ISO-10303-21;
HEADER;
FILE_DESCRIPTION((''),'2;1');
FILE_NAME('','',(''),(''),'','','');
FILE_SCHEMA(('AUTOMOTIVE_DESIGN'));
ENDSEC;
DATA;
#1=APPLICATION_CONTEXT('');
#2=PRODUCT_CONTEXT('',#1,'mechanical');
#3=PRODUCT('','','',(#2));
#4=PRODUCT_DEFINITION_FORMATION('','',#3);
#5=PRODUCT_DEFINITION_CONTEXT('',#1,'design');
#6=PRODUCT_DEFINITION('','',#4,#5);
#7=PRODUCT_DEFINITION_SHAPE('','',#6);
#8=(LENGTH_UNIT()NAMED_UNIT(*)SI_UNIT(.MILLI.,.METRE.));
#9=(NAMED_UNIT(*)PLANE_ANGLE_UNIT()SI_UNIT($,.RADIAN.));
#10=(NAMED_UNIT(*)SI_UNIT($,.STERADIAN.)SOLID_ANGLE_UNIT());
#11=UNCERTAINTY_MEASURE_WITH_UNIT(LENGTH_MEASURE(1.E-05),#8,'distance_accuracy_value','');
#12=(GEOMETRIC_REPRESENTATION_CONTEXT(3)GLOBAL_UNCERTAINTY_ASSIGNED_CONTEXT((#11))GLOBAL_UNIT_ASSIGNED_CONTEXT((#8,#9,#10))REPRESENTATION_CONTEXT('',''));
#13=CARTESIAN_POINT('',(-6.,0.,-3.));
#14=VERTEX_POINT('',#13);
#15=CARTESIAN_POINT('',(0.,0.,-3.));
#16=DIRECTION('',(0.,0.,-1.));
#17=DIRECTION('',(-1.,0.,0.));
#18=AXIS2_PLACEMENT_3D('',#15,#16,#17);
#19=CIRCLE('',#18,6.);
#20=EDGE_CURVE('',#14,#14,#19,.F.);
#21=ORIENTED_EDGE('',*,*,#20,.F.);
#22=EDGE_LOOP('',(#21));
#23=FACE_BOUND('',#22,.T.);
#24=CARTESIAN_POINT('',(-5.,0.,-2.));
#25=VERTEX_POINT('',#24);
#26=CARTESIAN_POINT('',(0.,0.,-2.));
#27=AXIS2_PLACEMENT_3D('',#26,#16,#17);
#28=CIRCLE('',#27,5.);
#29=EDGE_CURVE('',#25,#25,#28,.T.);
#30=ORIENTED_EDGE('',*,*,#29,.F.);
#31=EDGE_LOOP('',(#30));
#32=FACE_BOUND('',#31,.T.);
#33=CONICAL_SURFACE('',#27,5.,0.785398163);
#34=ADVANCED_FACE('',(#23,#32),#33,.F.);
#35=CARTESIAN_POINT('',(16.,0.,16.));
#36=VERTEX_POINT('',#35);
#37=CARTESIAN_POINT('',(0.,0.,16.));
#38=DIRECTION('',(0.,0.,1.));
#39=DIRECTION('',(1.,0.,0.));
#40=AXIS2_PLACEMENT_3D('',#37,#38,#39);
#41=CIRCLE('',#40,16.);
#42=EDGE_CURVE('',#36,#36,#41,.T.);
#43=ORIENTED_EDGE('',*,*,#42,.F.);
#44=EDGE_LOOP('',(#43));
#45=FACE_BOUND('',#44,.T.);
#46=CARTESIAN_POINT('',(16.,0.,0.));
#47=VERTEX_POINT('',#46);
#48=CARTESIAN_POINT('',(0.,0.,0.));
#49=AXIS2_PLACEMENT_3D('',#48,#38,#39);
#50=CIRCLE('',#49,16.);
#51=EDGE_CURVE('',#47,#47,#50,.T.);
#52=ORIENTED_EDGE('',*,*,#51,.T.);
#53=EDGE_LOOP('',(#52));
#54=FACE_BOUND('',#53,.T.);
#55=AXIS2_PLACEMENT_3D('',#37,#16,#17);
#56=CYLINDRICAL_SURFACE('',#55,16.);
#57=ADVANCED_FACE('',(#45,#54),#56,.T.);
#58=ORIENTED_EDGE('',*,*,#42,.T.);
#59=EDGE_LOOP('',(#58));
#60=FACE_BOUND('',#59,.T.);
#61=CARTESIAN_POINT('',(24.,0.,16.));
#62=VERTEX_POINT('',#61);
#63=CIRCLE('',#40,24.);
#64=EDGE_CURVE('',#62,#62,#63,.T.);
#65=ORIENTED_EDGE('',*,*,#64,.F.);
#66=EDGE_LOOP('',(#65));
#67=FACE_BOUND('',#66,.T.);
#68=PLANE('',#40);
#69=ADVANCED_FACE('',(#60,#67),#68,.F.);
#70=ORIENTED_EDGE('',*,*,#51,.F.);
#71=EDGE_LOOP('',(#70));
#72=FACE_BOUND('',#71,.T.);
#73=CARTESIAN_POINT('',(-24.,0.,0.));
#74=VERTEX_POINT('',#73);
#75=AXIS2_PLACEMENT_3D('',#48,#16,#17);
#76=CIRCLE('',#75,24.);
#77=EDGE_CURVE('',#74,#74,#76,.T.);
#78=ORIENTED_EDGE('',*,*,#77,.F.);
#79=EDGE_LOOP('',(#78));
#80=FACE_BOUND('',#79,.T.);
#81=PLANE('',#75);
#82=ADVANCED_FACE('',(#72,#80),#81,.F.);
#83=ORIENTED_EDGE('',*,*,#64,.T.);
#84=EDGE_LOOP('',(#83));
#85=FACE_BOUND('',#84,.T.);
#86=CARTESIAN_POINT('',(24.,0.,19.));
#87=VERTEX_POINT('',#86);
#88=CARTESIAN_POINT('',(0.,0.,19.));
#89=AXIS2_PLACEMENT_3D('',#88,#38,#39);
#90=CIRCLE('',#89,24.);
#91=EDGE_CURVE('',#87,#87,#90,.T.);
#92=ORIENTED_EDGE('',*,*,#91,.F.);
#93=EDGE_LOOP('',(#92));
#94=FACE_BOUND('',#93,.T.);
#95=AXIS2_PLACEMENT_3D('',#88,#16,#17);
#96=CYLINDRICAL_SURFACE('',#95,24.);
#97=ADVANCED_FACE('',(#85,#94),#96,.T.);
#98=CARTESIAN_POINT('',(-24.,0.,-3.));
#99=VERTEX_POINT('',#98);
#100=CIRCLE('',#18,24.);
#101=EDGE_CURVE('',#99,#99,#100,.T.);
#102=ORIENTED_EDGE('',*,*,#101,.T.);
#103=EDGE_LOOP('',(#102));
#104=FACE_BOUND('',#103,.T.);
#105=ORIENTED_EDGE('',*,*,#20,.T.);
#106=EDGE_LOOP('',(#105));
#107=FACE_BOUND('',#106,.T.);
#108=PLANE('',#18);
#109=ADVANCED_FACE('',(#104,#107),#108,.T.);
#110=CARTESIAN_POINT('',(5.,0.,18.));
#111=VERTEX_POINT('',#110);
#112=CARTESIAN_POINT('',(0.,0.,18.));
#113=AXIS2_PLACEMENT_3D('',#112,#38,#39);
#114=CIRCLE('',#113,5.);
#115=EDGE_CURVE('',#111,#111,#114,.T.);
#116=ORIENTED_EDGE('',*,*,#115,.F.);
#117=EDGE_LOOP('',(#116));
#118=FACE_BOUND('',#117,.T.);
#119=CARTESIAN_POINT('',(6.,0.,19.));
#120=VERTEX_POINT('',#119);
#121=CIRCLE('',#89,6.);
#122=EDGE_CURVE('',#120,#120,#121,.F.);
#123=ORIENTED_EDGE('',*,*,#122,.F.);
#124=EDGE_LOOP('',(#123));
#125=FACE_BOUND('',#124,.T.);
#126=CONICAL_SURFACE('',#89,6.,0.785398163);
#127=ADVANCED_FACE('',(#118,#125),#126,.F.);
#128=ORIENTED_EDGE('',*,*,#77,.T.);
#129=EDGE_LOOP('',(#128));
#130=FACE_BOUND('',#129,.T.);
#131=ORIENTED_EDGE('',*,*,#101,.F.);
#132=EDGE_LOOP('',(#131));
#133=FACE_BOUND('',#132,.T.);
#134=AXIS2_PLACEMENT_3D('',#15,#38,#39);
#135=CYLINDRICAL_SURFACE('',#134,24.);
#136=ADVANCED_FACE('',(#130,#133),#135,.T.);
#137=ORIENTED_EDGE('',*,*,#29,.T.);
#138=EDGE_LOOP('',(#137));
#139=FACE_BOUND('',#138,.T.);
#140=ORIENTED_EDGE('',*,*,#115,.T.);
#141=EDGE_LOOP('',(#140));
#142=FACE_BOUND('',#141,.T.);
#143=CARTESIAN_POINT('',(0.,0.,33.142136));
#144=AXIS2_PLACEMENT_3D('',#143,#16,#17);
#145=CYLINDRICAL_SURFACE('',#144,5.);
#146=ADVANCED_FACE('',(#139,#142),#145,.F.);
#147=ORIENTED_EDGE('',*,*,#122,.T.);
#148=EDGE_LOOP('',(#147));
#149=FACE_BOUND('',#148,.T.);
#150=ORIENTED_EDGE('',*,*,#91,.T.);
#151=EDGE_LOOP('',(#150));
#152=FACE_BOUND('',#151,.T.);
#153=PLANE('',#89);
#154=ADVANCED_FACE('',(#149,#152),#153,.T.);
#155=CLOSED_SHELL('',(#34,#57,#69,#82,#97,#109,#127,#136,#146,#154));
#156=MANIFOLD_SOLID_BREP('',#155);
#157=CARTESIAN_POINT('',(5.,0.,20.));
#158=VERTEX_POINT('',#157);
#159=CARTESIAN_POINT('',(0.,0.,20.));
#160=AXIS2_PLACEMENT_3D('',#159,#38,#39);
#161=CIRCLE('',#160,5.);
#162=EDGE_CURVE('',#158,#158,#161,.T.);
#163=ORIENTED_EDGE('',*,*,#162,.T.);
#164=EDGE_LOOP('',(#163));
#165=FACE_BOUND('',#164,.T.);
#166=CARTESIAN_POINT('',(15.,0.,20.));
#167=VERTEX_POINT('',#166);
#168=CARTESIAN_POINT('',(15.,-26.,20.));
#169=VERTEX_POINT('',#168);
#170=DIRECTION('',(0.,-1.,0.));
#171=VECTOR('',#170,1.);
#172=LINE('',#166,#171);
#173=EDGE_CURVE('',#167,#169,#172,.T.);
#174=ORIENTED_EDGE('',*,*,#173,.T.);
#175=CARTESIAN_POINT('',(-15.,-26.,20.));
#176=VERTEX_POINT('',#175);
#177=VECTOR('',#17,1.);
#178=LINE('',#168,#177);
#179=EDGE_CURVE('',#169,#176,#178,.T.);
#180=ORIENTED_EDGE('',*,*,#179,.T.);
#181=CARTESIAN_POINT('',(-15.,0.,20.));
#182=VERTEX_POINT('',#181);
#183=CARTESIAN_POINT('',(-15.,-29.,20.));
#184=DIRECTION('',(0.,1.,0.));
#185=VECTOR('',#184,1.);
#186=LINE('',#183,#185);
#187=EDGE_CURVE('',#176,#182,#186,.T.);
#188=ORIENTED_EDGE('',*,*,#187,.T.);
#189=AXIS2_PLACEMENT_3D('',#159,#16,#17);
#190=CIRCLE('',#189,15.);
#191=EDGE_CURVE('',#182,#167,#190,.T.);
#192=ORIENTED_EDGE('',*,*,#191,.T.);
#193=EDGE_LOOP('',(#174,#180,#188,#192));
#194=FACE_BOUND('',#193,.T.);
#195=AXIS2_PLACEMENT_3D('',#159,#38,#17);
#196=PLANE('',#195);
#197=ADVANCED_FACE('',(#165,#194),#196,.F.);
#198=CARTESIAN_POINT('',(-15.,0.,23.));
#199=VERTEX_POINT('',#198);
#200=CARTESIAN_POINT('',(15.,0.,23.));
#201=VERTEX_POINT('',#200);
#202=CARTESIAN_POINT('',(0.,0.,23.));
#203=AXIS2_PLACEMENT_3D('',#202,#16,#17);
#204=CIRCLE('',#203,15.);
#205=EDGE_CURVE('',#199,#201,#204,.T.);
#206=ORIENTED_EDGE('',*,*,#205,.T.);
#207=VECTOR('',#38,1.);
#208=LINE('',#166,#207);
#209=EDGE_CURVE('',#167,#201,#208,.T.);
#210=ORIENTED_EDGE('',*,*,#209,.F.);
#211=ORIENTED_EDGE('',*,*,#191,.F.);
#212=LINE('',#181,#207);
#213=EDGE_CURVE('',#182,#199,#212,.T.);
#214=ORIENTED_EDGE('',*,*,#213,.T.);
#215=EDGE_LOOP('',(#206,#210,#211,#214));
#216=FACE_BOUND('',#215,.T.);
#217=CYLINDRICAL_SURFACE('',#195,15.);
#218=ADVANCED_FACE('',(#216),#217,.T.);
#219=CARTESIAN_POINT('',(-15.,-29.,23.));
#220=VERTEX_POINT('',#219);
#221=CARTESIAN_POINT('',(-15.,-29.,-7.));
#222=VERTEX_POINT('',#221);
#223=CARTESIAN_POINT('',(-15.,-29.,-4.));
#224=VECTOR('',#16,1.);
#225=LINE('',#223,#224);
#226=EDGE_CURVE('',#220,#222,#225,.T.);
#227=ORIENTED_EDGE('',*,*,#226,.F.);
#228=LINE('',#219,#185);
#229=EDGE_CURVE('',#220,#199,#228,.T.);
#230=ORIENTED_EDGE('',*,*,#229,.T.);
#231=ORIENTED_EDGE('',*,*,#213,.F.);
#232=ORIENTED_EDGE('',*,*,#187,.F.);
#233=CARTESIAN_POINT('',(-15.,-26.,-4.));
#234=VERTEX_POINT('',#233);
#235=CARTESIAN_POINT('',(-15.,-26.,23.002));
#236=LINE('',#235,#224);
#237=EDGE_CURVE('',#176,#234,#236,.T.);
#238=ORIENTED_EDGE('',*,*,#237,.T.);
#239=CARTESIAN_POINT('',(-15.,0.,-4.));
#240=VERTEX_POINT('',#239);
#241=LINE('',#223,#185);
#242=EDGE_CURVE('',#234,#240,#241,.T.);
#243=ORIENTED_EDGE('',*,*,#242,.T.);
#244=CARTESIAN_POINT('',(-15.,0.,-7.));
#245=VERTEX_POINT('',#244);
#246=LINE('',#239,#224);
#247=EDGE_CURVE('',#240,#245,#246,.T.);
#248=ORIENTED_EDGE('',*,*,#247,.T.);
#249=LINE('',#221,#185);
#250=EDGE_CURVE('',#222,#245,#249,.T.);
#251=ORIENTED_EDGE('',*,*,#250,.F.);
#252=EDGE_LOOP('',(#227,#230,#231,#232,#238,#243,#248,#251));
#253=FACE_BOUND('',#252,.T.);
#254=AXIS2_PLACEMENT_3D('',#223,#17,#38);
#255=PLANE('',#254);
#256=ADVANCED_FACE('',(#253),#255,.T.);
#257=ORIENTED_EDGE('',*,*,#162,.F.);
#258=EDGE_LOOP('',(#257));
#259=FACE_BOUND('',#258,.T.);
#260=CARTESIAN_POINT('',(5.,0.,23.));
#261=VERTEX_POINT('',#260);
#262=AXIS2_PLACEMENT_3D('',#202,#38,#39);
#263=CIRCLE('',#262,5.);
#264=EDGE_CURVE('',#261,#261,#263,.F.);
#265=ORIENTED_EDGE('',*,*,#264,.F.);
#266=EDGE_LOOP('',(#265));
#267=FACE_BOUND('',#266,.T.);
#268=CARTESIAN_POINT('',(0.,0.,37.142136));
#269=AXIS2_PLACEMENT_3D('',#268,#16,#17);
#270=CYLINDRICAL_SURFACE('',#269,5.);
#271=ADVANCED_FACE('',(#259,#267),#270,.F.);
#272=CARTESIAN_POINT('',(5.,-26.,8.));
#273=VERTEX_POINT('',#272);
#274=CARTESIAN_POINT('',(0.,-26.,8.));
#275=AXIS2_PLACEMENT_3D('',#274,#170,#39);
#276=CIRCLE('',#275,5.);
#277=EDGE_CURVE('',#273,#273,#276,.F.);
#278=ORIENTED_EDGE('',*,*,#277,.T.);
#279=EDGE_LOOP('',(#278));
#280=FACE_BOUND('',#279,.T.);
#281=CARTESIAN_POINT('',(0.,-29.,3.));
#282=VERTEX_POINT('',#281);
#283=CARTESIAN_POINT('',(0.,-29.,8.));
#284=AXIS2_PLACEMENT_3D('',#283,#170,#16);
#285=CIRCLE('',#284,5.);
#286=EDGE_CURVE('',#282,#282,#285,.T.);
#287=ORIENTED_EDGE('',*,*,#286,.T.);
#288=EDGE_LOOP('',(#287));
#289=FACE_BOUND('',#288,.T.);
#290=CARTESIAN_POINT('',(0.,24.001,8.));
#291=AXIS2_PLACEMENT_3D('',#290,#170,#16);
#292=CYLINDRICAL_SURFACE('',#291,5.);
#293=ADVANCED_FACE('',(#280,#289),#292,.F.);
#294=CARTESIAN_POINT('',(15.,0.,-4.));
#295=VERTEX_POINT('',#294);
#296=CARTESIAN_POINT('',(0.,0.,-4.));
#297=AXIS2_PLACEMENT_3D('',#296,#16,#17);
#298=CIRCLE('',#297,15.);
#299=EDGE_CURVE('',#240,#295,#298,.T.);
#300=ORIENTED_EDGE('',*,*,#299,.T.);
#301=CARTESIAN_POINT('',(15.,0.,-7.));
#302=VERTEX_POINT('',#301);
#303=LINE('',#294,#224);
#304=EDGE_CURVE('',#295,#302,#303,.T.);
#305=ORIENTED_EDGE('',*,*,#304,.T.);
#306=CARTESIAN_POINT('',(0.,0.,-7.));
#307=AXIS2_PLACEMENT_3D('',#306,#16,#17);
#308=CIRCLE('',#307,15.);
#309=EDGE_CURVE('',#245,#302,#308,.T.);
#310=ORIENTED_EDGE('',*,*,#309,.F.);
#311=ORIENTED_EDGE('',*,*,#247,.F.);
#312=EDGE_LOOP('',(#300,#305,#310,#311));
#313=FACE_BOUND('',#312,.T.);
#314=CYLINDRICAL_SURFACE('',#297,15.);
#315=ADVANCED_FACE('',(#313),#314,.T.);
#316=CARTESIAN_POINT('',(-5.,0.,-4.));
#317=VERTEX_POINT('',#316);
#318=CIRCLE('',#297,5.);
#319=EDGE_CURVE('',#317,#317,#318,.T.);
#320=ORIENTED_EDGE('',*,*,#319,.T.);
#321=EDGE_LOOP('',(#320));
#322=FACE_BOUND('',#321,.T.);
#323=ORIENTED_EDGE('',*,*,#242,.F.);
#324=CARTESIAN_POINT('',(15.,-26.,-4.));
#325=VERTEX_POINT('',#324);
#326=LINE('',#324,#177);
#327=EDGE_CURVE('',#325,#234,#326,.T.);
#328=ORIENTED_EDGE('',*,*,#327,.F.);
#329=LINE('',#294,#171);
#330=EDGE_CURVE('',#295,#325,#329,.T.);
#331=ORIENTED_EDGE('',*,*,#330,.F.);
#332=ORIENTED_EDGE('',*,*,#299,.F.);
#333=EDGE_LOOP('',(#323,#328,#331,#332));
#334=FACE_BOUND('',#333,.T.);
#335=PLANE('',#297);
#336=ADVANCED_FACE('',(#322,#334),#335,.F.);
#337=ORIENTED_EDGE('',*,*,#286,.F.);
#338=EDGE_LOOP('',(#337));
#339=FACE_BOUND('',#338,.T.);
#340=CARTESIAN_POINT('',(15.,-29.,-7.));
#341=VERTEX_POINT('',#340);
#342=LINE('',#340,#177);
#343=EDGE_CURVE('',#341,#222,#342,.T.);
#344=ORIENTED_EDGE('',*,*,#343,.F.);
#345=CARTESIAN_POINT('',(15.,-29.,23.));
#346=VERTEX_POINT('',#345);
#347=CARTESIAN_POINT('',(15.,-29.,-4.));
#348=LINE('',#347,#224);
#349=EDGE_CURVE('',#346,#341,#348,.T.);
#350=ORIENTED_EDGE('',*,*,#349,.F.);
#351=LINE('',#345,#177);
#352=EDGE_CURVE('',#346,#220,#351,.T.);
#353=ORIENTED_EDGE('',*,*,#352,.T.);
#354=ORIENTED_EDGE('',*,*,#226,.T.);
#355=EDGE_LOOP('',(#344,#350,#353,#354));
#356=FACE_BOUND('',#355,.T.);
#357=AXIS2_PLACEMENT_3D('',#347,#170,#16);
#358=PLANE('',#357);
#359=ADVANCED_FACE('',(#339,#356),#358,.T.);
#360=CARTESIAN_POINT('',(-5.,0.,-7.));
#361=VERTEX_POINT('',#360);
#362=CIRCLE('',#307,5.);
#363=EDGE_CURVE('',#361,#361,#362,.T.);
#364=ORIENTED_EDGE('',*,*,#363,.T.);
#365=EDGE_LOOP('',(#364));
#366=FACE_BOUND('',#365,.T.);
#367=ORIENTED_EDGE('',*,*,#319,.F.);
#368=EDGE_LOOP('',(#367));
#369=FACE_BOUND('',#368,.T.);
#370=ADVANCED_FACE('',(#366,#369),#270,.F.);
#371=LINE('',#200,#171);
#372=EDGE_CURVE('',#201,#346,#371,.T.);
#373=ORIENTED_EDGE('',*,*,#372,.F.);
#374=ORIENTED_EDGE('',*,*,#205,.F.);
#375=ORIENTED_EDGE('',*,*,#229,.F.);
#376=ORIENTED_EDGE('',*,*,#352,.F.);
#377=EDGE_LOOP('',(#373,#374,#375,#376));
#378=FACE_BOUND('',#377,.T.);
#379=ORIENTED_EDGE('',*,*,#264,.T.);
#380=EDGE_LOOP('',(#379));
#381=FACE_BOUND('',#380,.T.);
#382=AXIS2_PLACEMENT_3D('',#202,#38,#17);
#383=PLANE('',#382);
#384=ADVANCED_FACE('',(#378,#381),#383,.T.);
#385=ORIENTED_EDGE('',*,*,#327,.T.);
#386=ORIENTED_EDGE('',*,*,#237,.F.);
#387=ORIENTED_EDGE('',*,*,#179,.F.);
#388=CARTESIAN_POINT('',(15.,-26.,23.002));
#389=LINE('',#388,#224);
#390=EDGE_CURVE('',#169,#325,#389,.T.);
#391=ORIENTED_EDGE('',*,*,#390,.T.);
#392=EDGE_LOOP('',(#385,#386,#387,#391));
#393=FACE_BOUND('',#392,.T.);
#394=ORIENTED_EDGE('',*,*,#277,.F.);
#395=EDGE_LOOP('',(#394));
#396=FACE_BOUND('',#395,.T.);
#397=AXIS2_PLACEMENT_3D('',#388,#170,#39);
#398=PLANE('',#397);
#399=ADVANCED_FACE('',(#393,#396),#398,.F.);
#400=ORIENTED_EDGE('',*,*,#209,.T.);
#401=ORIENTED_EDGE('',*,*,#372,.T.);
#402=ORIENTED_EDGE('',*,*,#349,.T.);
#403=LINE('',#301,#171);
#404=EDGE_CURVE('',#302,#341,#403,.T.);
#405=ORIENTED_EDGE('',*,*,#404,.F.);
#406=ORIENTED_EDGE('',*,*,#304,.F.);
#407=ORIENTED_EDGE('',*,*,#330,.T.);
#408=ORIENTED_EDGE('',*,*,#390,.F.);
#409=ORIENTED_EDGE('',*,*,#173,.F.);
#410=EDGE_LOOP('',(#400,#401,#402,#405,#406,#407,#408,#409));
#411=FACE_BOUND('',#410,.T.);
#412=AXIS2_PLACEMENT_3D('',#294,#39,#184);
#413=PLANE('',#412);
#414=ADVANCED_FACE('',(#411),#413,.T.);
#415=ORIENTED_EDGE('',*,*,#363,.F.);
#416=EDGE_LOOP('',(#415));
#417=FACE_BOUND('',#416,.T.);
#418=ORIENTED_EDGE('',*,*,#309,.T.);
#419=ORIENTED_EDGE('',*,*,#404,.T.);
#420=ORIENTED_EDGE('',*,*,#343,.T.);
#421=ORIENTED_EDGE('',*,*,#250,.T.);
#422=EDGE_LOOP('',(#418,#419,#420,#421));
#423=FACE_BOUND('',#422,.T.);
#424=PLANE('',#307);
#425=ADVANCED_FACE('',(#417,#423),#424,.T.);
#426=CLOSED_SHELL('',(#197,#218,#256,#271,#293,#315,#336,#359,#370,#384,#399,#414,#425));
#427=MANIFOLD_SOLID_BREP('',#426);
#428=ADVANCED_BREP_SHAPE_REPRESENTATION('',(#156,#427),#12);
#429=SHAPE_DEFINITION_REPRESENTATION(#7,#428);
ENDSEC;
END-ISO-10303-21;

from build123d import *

# Parameters (mm, degrees)
SKETCH_3_R          = 16
EXTRUDE_3_DEPTH     = 16
SKETCH_4_R          = 24
EXTRUDE_4_DEPTH     = 3
EXTRUDE_START       = 3
SKETCH_5_R          = 24
EXTRUDE_5_DEPTH     = 3
SKETCH_6_R          = 5
CUT_EXTRUDE_1_DEPTH = 22
CHAMFER_1_SIZE      = 1
EXTRUDE_6_DEPTH     = 3
EXTRUDE_7_REACH     = 48.325
SKETCH_9_W          = 30
SKETCH_9_H          = 3
SKETCH_10_R         = 5
CUT_EXTRUDE_2_DEPTH = 30
SKETCH_11_R         = 5
CUT_EXTRUDE_3_DEPTH = 3


with BuildPart() as part:
    # 草图3 → 凸台-拉伸3 (new body)
    with BuildSketch(Plane.XY):
        Circle(SKETCH_3_R)
    extrude(amount=EXTRUDE_3_DEPTH)

    # 草图4 → 凸台-拉伸4 (add)
    with BuildSketch(Plane(origin=(0, 0, 0), x_dir=(-1, 0, 0), z_dir=(0, 0, -1))):
        Circle(SKETCH_4_R)
    extrude(amount=EXTRUDE_4_DEPTH)

    # 草图5 → 凸台-拉伸5 (add)
    with BuildSketch(Plane.XY.offset(16).offset(EXTRUDE_START)):
        with Locations(Location((0, 0, 0), (0, 0, 180))):
            Circle(SKETCH_5_R)
    extrude(amount=-EXTRUDE_5_DEPTH)

    # 草图6 → 切除-拉伸1 (cut)
    with BuildSketch(Plane(origin=(0, 0, -3), x_dir=(-1, 0, 0), z_dir=(0, 0, -1))):
        Circle(SKETCH_6_R)
    extrude(amount=-CUT_EXTRUDE_1_DEPTH, mode=Mode.SUBTRACT)

    # 倒角1
    chamfer_1_edges = [part.edges().sort_by_distance(p)[0] for p in [
        (5, 0, -3),
        (5, 0, 19),
    ]]
    chamfer(chamfer_1_edges, length=CHAMFER_1_SIZE)


with BuildPart() as body_2:
    # 草图8 → 凸台-拉伸6 (new body)
    with BuildSketch(Plane(origin=(0, 0, -7), x_dir=(-1, 0, 0), z_dir=(0, 0, -1))):
        with BuildLine():
            Line((-15, 0), (-15, -29))
            Line((-15, -29), (15, -29))
            Line((15, -29), (15, 0))
            ThreePointArc((15, 0), (0, 15), (-15, 0))
        make_face()
    extrude(amount=-EXTRUDE_6_DEPTH)


with BuildPart() as body_3:
    # 镜向5: mirrored copy
    add(body_2.part.mirror(Plane.XY.offset(8)))

    # 草图9 → 凸台-拉伸7 (add, up to next)
    with BuildSketch(Plane.XY.offset(-4), mode=Mode.PRIVATE) as extrude_7_sk1:
        with Locations((0, -27.5)):
            Rectangle(SKETCH_9_W, SKETCH_9_H)
    extrude_7_tool1 = extrude(extrude_7_sk1.sketch, amount=EXTRUDE_7_REACH, mode=Mode.PRIVATE) - body_3.part

    add(body_2.part)  # 凸台-拉伸7 merges body 2
    add(extrude_7_tool1.solids().sort_by_distance((0, -27.5, -4))[0])

    # 草图10 → 切除-拉伸2 (cut)
    with BuildSketch(Plane(origin=(0, 0, -7), x_dir=(-1, 0, 0), z_dir=(0, 0, -1))):
        with Locations(Location((0, 0, 0), (0, 0, 180))):
            Circle(SKETCH_10_R)
    extrude(amount=-CUT_EXTRUDE_2_DEPTH, mode=Mode.SUBTRACT)

    # 草图11 → 切除-拉伸3 (cut)
    with BuildSketch(Plane.XZ.offset(29)):
        with Locations(Location((0, 8, 0), (0, 0, 270))):
            Circle(SKETCH_11_R)
    extrude(amount=-CUT_EXTRUDE_3_DEPTH, mode=Mode.SUBTRACT)


solid = Compound([part.part, body_3.part])
